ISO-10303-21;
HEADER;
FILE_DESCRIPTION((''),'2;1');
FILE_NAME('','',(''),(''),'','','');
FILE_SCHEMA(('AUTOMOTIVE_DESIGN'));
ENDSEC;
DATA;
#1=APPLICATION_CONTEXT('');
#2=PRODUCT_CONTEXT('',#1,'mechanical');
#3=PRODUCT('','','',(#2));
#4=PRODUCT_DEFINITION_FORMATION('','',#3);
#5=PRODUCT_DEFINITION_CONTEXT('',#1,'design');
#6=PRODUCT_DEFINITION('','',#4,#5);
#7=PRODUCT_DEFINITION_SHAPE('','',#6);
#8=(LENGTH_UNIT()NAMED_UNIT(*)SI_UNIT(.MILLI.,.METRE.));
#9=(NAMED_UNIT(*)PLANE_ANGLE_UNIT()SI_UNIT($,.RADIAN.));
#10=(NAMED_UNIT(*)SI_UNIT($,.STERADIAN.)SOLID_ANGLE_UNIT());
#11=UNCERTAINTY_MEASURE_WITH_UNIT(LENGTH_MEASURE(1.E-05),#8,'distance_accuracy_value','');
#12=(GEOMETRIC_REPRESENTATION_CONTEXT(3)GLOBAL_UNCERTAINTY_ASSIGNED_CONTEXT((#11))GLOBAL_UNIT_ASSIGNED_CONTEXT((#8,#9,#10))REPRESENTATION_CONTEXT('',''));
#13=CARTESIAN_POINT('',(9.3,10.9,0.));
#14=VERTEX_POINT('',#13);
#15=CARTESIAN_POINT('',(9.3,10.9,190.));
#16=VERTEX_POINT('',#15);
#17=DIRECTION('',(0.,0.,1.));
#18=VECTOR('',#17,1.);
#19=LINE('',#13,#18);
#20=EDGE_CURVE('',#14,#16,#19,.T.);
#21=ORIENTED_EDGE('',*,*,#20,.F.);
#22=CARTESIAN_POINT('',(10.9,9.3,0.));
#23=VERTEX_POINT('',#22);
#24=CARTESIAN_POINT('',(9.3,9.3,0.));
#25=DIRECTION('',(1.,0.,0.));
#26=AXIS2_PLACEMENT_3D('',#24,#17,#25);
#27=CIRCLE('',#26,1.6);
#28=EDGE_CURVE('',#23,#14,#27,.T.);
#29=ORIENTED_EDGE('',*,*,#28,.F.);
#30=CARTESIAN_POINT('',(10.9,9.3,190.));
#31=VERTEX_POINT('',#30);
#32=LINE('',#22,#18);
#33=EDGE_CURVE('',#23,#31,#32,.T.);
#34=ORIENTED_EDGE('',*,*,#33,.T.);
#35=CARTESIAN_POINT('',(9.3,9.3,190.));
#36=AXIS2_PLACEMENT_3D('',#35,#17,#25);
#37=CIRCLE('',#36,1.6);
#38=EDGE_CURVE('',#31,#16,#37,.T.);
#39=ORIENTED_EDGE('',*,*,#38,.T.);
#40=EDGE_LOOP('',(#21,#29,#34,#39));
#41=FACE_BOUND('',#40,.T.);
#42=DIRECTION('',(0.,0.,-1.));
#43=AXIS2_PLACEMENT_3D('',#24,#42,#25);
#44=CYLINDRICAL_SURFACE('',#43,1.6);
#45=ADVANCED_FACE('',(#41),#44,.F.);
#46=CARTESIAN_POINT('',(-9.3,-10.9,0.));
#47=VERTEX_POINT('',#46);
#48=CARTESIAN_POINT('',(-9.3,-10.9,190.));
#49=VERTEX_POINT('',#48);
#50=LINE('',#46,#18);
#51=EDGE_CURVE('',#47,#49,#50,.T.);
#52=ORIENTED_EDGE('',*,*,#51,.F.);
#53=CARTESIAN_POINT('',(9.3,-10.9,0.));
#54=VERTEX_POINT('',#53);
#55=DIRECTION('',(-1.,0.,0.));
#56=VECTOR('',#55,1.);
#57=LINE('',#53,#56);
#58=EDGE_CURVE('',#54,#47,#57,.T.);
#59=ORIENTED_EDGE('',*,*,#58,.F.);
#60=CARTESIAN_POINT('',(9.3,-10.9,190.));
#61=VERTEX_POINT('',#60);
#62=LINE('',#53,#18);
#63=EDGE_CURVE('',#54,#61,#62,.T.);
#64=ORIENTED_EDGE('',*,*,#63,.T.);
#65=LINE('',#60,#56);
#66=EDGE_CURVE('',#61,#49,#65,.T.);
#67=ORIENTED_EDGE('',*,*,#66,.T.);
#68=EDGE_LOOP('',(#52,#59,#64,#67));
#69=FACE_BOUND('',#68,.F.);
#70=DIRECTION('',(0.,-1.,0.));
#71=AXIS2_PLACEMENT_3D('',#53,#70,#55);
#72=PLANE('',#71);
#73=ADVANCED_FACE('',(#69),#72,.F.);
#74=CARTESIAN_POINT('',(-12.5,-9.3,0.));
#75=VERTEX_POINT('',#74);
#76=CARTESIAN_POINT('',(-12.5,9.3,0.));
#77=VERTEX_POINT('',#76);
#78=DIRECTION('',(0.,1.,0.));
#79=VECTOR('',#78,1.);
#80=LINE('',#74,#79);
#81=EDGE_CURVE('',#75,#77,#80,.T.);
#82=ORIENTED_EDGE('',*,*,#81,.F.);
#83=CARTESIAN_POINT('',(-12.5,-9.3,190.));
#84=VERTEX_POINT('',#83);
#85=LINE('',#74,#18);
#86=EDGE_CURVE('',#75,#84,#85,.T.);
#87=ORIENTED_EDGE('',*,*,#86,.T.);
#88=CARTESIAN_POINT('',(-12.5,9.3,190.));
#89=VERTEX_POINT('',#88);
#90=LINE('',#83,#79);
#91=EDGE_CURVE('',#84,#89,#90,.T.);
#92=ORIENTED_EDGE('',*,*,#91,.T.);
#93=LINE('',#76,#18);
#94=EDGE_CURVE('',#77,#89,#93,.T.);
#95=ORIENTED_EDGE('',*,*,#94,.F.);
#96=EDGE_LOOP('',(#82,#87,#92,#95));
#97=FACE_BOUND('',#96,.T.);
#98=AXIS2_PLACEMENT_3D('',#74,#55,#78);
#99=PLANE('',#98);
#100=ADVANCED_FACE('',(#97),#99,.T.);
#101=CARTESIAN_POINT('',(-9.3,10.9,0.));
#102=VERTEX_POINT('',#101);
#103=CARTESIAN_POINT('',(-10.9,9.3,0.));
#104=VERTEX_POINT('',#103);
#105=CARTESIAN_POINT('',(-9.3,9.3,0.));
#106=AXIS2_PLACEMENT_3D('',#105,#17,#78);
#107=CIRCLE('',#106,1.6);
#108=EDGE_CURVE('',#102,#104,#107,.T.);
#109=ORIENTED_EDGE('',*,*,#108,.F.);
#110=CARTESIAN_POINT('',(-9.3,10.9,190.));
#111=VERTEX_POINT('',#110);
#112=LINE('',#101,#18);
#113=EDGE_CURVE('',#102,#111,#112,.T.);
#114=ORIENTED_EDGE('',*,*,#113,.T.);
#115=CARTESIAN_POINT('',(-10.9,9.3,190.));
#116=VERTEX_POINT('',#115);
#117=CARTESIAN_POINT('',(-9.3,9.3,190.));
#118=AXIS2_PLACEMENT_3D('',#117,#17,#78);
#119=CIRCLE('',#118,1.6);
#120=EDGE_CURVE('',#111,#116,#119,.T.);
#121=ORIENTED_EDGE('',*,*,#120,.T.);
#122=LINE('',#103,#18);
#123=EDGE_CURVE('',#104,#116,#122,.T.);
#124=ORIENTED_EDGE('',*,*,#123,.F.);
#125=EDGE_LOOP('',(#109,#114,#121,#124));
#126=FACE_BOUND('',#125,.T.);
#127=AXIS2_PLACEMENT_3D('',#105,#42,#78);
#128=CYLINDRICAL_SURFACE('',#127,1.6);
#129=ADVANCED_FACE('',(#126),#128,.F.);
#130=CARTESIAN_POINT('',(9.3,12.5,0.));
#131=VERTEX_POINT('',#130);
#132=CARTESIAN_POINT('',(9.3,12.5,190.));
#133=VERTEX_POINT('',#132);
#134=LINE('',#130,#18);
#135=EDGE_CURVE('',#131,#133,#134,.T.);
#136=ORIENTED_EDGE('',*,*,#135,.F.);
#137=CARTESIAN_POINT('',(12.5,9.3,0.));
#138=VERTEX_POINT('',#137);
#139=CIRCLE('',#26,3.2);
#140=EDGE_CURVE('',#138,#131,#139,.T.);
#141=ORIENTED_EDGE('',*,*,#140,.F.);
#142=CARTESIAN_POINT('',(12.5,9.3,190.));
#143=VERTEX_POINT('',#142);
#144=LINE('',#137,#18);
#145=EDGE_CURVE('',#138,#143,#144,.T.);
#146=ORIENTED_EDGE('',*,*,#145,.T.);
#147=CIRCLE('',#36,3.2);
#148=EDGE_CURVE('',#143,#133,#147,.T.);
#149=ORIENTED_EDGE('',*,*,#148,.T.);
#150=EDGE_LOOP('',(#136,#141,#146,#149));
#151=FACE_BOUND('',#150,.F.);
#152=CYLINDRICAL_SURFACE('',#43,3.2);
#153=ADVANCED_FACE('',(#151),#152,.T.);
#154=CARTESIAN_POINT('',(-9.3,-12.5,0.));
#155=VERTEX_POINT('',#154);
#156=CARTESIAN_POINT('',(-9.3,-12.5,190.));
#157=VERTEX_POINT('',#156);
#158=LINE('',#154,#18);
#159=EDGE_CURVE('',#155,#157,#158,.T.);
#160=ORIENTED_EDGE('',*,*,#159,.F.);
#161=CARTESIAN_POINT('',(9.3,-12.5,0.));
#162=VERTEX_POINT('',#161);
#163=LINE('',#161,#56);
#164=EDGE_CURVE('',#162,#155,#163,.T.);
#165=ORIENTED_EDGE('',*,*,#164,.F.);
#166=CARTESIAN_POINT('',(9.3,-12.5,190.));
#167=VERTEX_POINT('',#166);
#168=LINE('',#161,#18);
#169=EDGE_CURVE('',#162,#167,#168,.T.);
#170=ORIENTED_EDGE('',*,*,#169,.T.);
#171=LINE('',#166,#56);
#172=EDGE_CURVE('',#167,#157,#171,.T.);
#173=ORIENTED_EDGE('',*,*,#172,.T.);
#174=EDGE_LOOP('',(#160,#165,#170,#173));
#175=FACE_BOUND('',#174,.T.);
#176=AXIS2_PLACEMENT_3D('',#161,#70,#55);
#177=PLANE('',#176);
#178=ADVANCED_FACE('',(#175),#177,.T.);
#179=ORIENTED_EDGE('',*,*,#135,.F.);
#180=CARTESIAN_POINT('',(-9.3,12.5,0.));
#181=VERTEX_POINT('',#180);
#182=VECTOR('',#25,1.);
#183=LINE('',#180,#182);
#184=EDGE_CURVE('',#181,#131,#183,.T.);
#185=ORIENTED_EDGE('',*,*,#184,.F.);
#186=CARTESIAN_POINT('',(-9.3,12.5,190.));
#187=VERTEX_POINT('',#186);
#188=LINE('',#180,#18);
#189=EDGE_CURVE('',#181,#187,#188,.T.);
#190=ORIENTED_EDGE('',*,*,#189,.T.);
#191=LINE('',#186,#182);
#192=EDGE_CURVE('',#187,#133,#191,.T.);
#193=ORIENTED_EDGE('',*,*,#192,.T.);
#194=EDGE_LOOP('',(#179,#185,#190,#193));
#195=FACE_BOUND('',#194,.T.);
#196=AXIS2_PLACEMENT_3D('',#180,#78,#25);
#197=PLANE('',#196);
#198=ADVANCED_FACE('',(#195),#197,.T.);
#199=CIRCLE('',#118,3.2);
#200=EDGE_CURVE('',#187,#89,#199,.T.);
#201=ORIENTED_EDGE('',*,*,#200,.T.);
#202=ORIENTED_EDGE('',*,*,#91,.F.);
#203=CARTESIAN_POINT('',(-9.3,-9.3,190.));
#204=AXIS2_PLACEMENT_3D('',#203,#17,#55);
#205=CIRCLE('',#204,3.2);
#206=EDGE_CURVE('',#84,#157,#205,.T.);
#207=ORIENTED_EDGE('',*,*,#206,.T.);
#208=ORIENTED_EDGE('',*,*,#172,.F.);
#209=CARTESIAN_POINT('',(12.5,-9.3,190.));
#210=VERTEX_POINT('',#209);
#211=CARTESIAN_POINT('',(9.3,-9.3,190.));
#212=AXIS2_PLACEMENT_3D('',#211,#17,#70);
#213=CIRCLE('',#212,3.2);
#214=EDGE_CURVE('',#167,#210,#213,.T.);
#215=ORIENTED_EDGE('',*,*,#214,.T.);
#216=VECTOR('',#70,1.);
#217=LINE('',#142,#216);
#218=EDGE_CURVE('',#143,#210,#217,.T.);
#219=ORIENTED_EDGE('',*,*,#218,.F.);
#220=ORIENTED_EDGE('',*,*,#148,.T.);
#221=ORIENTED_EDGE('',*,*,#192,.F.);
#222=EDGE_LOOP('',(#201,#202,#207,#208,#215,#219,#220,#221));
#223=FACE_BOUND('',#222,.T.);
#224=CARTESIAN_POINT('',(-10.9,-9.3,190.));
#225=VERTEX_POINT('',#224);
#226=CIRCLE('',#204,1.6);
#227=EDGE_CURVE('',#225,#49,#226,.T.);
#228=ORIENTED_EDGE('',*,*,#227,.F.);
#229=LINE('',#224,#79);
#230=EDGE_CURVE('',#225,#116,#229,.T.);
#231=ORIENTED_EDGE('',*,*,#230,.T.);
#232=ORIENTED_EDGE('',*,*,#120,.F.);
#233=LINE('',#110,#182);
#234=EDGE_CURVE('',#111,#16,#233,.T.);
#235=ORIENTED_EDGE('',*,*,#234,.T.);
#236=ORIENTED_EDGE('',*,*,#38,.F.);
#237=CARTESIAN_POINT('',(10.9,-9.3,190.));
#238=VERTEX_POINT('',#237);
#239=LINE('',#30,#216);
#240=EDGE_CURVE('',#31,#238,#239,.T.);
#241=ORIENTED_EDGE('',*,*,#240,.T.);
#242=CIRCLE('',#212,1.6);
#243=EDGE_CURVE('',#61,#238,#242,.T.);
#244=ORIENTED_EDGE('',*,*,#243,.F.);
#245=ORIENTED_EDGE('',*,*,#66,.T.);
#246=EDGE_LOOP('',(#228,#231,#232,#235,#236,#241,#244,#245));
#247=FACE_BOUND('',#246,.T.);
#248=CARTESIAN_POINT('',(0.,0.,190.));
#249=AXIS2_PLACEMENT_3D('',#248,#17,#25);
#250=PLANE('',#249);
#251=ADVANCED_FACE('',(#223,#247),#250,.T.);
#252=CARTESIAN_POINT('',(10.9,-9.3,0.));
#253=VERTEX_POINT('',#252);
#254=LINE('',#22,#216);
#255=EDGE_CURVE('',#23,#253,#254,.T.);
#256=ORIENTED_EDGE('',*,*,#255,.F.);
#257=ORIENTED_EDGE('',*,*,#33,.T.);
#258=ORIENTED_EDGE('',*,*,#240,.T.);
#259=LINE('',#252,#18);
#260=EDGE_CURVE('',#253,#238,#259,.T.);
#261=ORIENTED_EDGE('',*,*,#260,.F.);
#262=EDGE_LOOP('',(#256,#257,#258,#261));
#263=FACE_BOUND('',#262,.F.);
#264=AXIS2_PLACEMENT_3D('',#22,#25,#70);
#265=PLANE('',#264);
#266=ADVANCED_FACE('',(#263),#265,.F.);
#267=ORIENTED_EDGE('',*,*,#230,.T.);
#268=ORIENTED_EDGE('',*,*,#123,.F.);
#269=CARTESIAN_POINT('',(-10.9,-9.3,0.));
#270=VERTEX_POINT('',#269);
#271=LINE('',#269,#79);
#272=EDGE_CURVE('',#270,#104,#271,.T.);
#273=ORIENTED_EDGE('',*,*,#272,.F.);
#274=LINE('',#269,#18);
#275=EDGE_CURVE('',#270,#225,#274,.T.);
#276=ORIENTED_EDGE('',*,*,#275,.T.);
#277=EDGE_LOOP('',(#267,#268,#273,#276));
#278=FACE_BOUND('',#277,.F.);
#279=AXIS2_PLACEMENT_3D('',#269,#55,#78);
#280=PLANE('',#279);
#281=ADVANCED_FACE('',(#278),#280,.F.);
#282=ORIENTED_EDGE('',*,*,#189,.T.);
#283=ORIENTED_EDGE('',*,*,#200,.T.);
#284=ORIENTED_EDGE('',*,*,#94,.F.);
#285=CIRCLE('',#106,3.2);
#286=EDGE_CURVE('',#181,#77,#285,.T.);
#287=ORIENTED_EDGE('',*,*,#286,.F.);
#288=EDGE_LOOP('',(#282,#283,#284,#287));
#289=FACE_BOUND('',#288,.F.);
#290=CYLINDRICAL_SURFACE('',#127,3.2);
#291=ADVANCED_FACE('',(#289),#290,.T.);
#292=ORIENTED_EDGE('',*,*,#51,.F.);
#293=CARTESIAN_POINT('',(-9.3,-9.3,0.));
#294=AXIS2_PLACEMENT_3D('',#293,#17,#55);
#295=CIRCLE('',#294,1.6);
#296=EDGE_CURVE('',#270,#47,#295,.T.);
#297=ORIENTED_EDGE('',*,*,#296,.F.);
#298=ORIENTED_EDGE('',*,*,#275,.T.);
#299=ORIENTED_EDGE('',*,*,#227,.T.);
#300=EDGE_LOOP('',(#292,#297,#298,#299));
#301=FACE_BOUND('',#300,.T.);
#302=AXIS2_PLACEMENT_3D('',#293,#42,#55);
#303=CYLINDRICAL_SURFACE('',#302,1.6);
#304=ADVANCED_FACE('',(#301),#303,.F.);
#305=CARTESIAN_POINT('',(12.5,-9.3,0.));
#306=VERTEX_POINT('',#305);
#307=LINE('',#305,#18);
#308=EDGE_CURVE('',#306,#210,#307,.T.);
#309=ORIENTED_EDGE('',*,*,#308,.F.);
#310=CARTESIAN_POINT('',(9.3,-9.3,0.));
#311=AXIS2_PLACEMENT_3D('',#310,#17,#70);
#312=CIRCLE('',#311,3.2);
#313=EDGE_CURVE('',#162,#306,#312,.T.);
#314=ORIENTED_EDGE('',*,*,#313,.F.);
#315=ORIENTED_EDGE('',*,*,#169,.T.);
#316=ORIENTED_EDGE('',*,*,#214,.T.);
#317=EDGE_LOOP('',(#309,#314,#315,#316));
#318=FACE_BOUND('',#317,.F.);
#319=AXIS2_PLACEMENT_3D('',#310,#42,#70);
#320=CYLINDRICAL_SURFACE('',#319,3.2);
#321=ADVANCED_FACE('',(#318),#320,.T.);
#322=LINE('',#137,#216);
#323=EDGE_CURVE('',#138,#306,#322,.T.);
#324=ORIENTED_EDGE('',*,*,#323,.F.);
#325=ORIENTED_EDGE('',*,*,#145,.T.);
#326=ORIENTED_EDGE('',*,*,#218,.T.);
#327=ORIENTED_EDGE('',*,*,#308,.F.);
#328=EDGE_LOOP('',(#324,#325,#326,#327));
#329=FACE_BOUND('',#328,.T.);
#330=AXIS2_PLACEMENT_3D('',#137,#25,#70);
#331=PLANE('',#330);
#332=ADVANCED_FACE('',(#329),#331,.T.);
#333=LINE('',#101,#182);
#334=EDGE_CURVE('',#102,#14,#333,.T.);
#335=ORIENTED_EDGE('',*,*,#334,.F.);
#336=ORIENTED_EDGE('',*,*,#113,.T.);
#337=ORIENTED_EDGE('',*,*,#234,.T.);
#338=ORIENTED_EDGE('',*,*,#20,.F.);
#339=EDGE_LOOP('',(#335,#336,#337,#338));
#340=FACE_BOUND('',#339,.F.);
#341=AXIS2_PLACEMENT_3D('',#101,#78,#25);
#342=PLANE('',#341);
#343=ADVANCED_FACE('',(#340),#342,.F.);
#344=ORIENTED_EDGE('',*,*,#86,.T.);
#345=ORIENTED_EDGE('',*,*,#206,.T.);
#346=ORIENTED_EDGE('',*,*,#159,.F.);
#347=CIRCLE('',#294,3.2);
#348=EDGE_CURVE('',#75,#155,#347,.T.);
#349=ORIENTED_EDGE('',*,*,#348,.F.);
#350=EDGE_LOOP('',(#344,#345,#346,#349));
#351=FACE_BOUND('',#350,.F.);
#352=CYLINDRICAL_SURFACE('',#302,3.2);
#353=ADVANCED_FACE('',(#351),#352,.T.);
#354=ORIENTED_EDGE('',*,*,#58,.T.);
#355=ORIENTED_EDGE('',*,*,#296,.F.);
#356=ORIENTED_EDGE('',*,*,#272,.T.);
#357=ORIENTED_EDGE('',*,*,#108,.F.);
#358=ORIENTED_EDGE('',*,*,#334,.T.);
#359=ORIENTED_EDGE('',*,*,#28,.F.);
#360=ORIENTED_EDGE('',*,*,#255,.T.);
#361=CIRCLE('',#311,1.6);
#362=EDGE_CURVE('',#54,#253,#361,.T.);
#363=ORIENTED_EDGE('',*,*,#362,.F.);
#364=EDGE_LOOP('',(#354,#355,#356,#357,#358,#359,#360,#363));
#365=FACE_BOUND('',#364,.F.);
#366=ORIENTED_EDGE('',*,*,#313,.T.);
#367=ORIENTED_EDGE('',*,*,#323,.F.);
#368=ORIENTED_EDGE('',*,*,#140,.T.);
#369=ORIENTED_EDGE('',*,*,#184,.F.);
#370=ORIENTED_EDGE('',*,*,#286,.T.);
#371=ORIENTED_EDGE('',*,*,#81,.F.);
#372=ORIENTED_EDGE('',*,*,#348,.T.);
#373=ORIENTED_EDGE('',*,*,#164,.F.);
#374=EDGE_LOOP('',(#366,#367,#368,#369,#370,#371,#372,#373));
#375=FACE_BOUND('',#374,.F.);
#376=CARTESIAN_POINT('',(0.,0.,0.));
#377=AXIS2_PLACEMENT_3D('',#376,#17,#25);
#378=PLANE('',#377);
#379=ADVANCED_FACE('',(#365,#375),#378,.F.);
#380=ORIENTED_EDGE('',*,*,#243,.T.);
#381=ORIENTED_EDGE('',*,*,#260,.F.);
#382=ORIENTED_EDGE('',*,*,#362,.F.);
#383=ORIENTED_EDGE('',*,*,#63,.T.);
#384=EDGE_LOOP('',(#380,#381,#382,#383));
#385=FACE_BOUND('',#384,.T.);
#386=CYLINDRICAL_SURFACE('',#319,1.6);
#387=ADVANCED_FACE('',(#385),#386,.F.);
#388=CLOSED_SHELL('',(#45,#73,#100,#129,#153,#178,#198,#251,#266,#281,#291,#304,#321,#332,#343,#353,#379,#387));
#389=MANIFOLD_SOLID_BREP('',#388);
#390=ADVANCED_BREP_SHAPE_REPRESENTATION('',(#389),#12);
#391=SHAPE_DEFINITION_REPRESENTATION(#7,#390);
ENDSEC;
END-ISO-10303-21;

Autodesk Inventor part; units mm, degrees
ref_plane "YZ Plane" through (0, 0, 0) normal (1, 0, 0) x (0, 1, 0)
ref_plane "Start plane" through (0, 0, 0) normal (0, 0, 1) x (1, 0, 0)
ref_plane "End plane" through (0, 0, 190) normal (0, 0, 1) x (1, 0, 0)
sketch "Sketch" plane through (0, 0, 0) normal (0, 0, 1) x (1, 0, 0)
  line L0 (-12.5, -9.3) -> (-12.5, 9.3)
  line L1 (-9.3, 12.5) -> (9.3, 12.5)
  line L2 (12.5, 9.3) -> (12.5, -9.3)
  line L3 (9.3, -12.5) -> (-9.3, -12.5)
  arc A0 (-12.5, -9.3) -> (-9.3, -12.5) centre (-9.3, -9.3) ccw
  arc A1 (-9.3, 12.5) -> (-12.5, 9.3) centre (-9.3, 9.3) ccw
  arc A2 (12.5, 9.3) -> (9.3, 12.5) centre (9.3, 9.3) ccw
  arc A3 (9.3, -12.5) -> (12.5, -9.3) centre (9.3, -9.3) ccw
  arc A4 (-9.3, 10.9) -> (-10.9, 9.3) centre (-9.3, 9.3) ccw
  line L4 (-9.3, 10.9) -> (9.3, 10.9)
  arc A5 (10.9, 9.3) -> (9.3, 10.9) centre (9.3, 9.3) ccw
  line L5 (10.9, 9.3) -> (10.9, -9.3)
  arc A6 (9.3, -10.9) -> (10.9, -9.3) centre (9.3, -9.3) ccw
  line L6 (9.3, -10.9) -> (-9.3, -10.9)
  arc A7 (-10.9, -9.3) -> (-9.3, -10.9) centre (-9.3, -9.3) ccw
  line L7 (-10.9, -9.3) -> (-10.9, 9.3)
  line L8 (0, 18.4278) -> (0, -18.4278) construction
  line L9 (-18.4278, 0) -> (18.4278, 0) construction
  dimension "d7" = 3.2
  dimension "d10" = 25
  dimension "d11" = 25
  dimension "d12" = 1.6
  dimension "d15" = 12.5
  dimension "d16" = 12.5
extrude "Body" add sketch "Sketch" along normal up to surface (190 mm away) from surface at 0
sketch "Sketch3" plane through (0, 0, 0) normal (0, 0, 1) x (1, 0, 0)
  line L0 (0, 0) -> (10, 0)
ref_plane "Work Plane3" through (0, 0, 0) normal (0, -1, 0) x (1, 0, 0)
sketch "Sketch4" plane through (0, 0, 0) normal (0, -1, 0) x (1, 0, 0)
  line L0 (-2, 0) -> (12, 0)
  line L1 (-2, 190) -> (12, 190)
  dimension "d18" = 190
equation "\"d7\" = G_IR"
equation "\"d10\" = G_H"
equation "\"d11\" = G_W"
equation "\"d12\" = G_T"
equation "\"d15\" = 0.5 * d10"
equation "\"d16\" = 0.5 * d11"
equation "\"d3\" = G_L"
equation "\"G_W\" = 25"
equation "\"G_H\" = 25"
equation "\"G_T\" = 1.6"
equation "\"G_IR\" = 3.2"
equation "\"G_L\" = d18"
equation "\"G_OFFSET_START\" = 0"
equation "\"G_OFFSET_END\" = 0"
properties part number "AS 1163 - C350L0 25x25x1.6 SHS - 190" material "Steel, Mild"
